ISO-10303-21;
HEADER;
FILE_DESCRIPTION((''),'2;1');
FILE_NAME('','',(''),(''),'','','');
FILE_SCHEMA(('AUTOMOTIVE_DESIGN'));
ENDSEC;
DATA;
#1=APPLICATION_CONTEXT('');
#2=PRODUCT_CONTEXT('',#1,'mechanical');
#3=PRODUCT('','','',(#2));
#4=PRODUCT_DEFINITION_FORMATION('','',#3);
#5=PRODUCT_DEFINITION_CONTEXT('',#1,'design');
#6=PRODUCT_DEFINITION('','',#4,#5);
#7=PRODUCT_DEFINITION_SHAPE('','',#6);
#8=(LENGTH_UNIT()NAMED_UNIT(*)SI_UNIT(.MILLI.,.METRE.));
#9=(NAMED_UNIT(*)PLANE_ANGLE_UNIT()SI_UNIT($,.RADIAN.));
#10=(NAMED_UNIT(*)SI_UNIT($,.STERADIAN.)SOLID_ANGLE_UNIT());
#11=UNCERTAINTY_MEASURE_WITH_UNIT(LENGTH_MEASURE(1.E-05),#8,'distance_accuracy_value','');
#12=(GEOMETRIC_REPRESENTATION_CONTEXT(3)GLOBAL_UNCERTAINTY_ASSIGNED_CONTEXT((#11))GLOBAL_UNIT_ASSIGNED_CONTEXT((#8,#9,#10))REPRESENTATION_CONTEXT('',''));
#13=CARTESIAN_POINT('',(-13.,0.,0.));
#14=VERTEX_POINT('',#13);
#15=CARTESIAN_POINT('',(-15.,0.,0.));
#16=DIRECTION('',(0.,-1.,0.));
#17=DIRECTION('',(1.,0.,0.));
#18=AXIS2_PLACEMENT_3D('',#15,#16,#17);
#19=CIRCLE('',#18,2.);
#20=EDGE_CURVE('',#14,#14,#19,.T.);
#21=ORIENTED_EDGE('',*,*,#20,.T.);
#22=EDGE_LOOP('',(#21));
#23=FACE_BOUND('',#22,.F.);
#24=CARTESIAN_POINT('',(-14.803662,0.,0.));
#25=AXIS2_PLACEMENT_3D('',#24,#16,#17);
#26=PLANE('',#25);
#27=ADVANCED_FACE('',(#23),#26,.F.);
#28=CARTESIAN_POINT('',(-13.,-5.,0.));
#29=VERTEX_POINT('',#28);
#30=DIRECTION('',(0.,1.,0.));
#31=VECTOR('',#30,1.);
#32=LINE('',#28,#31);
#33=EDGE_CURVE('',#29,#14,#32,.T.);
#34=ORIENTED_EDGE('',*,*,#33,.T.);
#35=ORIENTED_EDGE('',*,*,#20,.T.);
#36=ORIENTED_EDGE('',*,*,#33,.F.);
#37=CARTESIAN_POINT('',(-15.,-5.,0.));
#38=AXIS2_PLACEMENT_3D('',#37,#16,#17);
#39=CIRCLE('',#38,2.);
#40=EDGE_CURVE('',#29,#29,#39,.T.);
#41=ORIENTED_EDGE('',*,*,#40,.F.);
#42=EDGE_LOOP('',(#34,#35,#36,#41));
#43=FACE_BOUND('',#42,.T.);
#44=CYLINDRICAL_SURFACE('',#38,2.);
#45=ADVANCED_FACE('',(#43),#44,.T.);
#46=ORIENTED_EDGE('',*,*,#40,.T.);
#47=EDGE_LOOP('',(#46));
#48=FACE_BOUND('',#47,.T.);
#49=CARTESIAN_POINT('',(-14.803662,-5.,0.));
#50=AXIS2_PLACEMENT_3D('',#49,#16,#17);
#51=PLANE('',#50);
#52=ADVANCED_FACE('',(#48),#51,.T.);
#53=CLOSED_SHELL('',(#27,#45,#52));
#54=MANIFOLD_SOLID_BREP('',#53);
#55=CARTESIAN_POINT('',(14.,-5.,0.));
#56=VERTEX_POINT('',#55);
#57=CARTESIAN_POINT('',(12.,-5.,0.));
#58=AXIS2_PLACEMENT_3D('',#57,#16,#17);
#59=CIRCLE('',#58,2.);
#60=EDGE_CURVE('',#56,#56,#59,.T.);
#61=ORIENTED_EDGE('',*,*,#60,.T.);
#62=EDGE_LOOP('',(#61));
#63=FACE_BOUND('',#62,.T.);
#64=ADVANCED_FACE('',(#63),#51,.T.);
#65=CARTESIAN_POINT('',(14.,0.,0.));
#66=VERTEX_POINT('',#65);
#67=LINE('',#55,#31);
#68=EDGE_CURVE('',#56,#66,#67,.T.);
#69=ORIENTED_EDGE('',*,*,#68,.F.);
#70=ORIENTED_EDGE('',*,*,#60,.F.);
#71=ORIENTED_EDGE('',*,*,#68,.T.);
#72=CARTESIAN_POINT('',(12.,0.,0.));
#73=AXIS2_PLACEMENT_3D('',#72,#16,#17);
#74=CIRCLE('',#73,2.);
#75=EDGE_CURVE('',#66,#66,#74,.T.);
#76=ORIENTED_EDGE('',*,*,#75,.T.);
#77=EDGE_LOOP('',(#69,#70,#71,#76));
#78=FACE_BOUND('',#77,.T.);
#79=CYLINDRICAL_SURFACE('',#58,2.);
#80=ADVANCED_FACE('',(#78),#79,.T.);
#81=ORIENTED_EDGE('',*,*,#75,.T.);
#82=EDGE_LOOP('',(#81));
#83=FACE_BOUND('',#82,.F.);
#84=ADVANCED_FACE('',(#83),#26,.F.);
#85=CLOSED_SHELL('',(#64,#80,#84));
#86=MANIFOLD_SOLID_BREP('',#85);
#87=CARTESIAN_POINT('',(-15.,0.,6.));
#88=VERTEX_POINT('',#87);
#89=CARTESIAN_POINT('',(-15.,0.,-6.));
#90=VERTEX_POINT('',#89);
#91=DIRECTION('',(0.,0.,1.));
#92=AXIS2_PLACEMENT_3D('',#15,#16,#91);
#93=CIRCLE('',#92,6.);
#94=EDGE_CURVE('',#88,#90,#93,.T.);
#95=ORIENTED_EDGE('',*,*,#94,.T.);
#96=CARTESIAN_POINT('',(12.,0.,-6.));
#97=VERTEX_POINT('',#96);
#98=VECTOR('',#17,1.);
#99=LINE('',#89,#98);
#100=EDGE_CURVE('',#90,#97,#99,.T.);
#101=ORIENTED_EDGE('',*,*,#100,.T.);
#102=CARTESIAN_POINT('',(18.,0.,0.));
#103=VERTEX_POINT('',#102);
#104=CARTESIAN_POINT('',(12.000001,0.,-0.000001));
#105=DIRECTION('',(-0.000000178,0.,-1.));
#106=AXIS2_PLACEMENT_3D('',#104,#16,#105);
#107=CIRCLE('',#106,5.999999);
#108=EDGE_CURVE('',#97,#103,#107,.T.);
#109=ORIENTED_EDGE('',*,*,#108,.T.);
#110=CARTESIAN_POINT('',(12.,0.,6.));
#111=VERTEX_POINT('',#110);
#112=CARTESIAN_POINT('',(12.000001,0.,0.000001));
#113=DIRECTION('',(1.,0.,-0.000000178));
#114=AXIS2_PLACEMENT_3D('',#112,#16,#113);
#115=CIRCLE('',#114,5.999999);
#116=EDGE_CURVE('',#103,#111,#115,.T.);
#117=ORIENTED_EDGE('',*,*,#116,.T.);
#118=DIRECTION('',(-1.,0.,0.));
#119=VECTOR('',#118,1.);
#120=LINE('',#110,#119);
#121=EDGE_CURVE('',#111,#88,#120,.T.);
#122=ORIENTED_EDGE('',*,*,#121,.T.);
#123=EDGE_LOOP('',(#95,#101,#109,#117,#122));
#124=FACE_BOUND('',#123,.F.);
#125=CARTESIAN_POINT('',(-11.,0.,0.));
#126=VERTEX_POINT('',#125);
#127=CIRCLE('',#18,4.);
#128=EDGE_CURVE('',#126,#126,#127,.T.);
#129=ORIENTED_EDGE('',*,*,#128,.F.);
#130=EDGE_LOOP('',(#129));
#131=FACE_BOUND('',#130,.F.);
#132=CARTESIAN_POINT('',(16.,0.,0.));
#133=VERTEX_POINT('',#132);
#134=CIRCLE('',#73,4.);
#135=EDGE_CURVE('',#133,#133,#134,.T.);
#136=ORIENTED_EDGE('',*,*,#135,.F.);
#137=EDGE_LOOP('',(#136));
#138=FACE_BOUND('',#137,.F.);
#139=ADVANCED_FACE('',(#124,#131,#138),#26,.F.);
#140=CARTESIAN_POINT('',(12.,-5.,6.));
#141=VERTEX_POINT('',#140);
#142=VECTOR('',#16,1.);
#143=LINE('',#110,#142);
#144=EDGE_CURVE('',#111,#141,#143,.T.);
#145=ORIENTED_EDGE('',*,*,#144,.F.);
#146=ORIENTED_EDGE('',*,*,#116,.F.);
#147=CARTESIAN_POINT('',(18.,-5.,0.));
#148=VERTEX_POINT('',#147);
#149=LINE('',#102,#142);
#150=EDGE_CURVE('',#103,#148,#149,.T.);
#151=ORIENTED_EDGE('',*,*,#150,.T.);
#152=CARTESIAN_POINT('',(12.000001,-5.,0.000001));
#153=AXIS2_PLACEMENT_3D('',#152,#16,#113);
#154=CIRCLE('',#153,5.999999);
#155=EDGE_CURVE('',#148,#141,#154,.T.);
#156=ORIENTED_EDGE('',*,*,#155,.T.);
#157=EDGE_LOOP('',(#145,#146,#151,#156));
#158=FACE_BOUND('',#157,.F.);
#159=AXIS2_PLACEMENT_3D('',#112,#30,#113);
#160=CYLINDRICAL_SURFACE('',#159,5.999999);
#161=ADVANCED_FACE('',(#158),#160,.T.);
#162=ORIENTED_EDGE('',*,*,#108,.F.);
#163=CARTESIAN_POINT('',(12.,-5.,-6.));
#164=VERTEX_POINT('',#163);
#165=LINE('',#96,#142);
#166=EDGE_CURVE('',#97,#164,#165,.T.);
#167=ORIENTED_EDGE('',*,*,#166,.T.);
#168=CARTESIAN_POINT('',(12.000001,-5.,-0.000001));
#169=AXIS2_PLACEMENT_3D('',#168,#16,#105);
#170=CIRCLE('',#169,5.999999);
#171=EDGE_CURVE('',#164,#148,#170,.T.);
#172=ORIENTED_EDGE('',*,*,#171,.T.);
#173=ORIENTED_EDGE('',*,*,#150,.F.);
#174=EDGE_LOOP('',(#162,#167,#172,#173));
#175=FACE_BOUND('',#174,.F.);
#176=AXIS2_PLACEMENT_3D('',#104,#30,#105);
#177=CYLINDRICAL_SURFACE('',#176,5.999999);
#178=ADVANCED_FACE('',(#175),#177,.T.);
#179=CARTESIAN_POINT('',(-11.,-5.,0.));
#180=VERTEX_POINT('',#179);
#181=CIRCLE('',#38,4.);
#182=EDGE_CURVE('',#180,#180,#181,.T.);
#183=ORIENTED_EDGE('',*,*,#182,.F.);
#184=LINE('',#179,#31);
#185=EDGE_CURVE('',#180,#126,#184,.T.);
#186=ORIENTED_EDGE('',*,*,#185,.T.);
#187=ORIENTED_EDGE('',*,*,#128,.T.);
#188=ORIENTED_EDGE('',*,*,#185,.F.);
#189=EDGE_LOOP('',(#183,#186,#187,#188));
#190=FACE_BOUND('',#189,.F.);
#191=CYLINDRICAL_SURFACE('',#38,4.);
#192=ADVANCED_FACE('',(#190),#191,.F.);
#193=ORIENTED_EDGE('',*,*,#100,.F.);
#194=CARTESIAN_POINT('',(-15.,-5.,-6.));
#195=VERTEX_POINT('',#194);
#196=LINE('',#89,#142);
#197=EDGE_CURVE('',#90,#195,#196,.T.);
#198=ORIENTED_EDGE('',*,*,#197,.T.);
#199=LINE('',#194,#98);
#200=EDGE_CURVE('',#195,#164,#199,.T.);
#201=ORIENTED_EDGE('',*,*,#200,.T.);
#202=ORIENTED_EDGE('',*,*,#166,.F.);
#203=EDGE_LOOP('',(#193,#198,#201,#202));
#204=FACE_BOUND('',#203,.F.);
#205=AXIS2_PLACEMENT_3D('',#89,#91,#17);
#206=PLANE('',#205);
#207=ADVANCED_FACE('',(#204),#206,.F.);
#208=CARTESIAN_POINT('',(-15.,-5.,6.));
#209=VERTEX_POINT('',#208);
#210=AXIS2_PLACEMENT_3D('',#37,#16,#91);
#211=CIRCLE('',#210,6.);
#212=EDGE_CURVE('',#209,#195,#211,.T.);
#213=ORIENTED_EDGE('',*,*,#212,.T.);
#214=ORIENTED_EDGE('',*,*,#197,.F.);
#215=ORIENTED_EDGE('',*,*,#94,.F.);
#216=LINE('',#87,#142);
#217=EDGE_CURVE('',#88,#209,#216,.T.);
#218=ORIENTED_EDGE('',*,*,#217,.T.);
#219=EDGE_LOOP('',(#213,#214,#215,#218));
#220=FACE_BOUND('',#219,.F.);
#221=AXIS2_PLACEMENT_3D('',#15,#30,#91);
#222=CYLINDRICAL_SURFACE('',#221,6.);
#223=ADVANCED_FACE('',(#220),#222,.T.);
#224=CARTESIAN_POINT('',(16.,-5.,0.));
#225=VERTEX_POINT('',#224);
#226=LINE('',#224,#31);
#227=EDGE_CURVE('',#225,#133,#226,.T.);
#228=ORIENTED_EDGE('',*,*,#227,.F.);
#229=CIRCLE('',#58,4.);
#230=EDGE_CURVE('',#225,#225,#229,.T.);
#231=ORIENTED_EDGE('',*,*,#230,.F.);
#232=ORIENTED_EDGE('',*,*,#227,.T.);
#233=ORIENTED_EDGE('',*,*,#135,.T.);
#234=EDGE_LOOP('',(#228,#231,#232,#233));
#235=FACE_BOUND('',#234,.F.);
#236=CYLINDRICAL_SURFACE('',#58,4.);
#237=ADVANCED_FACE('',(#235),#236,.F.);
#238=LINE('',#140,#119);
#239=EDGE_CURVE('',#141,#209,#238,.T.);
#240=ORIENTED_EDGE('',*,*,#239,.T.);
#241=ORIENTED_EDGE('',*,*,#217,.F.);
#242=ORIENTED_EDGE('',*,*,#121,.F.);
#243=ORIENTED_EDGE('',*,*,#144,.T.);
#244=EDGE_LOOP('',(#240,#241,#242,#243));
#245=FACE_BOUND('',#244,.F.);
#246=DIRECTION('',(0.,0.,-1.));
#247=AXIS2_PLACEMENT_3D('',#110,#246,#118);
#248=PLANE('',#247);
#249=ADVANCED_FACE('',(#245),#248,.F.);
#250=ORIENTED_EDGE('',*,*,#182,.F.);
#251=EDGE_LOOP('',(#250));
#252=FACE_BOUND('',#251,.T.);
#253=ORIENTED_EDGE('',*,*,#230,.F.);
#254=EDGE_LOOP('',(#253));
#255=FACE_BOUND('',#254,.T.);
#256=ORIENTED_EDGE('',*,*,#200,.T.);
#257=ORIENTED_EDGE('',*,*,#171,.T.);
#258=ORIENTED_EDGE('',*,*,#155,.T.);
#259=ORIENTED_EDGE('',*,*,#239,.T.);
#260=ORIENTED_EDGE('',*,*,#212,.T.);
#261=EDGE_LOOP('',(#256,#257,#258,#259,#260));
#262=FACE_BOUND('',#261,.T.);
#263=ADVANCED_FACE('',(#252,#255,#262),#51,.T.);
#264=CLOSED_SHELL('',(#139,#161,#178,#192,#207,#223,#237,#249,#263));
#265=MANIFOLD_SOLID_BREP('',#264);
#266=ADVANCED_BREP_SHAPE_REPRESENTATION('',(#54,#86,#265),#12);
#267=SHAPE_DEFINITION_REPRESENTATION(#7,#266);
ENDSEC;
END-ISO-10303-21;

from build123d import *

# Parameters (mm, degrees)
F1_DEPTH = 5
F2_R     = 4
F2_R_2   = 2
F3_DEPTH = 25


with BuildPart() as f1:
    # F0 (on Front) → F1 (new body)
    with BuildSketch(Plane.XZ):
        with BuildLine():
            ThreePointArc((-15, -6), (-10.757359, -4.242641), (-9, 0))
            ThreePointArc((-9, 0), (-10.757359, 4.242641), (-15, 6))
            ThreePointArc((-15, 6), (-21, 0), (-15, -6))
        make_face()
        with BuildLine():
            ThreePointArc((-15, 6), (-10.757359, 4.242641), (-9, 0))
            ThreePointArc((-9, 0), (-10.757359, -4.242641), (-15, -6))
            Line((-15, -6), (12, -6))
            ThreePointArc((12, -6), (6, 0), (12, 6))
            Line((12, 6), (-15, 6))
        make_face()
        with BuildLine():
            ThreePointArc((18, 0), (16.242641, 4.242641), (12, 6))
            ThreePointArc((12, 6), (6, 0), (12, -6))
            ThreePointArc((12, -6), (16.242641, -4.242641), (18, 0))
        make_face()
    extrude(amount=F1_DEPTH)

    # F2 (on face) → F3 (cut)
    with BuildSketch(Plane.XZ.offset(5)):
        with Locations((-15, 0)):
            Circle(F2_R)
        with Locations((-15, 0)):
            Circle(F2_R_2, mode=Mode.SUBTRACT)
        with Locations((12, 0)):
            Circle(F2_R)
        with Locations((12, 0)):
            Circle(F2_R_2, mode=Mode.SUBTRACT)
    extrude(amount=-F3_DEPTH, mode=Mode.SUBTRACT)


solid = f1.part
